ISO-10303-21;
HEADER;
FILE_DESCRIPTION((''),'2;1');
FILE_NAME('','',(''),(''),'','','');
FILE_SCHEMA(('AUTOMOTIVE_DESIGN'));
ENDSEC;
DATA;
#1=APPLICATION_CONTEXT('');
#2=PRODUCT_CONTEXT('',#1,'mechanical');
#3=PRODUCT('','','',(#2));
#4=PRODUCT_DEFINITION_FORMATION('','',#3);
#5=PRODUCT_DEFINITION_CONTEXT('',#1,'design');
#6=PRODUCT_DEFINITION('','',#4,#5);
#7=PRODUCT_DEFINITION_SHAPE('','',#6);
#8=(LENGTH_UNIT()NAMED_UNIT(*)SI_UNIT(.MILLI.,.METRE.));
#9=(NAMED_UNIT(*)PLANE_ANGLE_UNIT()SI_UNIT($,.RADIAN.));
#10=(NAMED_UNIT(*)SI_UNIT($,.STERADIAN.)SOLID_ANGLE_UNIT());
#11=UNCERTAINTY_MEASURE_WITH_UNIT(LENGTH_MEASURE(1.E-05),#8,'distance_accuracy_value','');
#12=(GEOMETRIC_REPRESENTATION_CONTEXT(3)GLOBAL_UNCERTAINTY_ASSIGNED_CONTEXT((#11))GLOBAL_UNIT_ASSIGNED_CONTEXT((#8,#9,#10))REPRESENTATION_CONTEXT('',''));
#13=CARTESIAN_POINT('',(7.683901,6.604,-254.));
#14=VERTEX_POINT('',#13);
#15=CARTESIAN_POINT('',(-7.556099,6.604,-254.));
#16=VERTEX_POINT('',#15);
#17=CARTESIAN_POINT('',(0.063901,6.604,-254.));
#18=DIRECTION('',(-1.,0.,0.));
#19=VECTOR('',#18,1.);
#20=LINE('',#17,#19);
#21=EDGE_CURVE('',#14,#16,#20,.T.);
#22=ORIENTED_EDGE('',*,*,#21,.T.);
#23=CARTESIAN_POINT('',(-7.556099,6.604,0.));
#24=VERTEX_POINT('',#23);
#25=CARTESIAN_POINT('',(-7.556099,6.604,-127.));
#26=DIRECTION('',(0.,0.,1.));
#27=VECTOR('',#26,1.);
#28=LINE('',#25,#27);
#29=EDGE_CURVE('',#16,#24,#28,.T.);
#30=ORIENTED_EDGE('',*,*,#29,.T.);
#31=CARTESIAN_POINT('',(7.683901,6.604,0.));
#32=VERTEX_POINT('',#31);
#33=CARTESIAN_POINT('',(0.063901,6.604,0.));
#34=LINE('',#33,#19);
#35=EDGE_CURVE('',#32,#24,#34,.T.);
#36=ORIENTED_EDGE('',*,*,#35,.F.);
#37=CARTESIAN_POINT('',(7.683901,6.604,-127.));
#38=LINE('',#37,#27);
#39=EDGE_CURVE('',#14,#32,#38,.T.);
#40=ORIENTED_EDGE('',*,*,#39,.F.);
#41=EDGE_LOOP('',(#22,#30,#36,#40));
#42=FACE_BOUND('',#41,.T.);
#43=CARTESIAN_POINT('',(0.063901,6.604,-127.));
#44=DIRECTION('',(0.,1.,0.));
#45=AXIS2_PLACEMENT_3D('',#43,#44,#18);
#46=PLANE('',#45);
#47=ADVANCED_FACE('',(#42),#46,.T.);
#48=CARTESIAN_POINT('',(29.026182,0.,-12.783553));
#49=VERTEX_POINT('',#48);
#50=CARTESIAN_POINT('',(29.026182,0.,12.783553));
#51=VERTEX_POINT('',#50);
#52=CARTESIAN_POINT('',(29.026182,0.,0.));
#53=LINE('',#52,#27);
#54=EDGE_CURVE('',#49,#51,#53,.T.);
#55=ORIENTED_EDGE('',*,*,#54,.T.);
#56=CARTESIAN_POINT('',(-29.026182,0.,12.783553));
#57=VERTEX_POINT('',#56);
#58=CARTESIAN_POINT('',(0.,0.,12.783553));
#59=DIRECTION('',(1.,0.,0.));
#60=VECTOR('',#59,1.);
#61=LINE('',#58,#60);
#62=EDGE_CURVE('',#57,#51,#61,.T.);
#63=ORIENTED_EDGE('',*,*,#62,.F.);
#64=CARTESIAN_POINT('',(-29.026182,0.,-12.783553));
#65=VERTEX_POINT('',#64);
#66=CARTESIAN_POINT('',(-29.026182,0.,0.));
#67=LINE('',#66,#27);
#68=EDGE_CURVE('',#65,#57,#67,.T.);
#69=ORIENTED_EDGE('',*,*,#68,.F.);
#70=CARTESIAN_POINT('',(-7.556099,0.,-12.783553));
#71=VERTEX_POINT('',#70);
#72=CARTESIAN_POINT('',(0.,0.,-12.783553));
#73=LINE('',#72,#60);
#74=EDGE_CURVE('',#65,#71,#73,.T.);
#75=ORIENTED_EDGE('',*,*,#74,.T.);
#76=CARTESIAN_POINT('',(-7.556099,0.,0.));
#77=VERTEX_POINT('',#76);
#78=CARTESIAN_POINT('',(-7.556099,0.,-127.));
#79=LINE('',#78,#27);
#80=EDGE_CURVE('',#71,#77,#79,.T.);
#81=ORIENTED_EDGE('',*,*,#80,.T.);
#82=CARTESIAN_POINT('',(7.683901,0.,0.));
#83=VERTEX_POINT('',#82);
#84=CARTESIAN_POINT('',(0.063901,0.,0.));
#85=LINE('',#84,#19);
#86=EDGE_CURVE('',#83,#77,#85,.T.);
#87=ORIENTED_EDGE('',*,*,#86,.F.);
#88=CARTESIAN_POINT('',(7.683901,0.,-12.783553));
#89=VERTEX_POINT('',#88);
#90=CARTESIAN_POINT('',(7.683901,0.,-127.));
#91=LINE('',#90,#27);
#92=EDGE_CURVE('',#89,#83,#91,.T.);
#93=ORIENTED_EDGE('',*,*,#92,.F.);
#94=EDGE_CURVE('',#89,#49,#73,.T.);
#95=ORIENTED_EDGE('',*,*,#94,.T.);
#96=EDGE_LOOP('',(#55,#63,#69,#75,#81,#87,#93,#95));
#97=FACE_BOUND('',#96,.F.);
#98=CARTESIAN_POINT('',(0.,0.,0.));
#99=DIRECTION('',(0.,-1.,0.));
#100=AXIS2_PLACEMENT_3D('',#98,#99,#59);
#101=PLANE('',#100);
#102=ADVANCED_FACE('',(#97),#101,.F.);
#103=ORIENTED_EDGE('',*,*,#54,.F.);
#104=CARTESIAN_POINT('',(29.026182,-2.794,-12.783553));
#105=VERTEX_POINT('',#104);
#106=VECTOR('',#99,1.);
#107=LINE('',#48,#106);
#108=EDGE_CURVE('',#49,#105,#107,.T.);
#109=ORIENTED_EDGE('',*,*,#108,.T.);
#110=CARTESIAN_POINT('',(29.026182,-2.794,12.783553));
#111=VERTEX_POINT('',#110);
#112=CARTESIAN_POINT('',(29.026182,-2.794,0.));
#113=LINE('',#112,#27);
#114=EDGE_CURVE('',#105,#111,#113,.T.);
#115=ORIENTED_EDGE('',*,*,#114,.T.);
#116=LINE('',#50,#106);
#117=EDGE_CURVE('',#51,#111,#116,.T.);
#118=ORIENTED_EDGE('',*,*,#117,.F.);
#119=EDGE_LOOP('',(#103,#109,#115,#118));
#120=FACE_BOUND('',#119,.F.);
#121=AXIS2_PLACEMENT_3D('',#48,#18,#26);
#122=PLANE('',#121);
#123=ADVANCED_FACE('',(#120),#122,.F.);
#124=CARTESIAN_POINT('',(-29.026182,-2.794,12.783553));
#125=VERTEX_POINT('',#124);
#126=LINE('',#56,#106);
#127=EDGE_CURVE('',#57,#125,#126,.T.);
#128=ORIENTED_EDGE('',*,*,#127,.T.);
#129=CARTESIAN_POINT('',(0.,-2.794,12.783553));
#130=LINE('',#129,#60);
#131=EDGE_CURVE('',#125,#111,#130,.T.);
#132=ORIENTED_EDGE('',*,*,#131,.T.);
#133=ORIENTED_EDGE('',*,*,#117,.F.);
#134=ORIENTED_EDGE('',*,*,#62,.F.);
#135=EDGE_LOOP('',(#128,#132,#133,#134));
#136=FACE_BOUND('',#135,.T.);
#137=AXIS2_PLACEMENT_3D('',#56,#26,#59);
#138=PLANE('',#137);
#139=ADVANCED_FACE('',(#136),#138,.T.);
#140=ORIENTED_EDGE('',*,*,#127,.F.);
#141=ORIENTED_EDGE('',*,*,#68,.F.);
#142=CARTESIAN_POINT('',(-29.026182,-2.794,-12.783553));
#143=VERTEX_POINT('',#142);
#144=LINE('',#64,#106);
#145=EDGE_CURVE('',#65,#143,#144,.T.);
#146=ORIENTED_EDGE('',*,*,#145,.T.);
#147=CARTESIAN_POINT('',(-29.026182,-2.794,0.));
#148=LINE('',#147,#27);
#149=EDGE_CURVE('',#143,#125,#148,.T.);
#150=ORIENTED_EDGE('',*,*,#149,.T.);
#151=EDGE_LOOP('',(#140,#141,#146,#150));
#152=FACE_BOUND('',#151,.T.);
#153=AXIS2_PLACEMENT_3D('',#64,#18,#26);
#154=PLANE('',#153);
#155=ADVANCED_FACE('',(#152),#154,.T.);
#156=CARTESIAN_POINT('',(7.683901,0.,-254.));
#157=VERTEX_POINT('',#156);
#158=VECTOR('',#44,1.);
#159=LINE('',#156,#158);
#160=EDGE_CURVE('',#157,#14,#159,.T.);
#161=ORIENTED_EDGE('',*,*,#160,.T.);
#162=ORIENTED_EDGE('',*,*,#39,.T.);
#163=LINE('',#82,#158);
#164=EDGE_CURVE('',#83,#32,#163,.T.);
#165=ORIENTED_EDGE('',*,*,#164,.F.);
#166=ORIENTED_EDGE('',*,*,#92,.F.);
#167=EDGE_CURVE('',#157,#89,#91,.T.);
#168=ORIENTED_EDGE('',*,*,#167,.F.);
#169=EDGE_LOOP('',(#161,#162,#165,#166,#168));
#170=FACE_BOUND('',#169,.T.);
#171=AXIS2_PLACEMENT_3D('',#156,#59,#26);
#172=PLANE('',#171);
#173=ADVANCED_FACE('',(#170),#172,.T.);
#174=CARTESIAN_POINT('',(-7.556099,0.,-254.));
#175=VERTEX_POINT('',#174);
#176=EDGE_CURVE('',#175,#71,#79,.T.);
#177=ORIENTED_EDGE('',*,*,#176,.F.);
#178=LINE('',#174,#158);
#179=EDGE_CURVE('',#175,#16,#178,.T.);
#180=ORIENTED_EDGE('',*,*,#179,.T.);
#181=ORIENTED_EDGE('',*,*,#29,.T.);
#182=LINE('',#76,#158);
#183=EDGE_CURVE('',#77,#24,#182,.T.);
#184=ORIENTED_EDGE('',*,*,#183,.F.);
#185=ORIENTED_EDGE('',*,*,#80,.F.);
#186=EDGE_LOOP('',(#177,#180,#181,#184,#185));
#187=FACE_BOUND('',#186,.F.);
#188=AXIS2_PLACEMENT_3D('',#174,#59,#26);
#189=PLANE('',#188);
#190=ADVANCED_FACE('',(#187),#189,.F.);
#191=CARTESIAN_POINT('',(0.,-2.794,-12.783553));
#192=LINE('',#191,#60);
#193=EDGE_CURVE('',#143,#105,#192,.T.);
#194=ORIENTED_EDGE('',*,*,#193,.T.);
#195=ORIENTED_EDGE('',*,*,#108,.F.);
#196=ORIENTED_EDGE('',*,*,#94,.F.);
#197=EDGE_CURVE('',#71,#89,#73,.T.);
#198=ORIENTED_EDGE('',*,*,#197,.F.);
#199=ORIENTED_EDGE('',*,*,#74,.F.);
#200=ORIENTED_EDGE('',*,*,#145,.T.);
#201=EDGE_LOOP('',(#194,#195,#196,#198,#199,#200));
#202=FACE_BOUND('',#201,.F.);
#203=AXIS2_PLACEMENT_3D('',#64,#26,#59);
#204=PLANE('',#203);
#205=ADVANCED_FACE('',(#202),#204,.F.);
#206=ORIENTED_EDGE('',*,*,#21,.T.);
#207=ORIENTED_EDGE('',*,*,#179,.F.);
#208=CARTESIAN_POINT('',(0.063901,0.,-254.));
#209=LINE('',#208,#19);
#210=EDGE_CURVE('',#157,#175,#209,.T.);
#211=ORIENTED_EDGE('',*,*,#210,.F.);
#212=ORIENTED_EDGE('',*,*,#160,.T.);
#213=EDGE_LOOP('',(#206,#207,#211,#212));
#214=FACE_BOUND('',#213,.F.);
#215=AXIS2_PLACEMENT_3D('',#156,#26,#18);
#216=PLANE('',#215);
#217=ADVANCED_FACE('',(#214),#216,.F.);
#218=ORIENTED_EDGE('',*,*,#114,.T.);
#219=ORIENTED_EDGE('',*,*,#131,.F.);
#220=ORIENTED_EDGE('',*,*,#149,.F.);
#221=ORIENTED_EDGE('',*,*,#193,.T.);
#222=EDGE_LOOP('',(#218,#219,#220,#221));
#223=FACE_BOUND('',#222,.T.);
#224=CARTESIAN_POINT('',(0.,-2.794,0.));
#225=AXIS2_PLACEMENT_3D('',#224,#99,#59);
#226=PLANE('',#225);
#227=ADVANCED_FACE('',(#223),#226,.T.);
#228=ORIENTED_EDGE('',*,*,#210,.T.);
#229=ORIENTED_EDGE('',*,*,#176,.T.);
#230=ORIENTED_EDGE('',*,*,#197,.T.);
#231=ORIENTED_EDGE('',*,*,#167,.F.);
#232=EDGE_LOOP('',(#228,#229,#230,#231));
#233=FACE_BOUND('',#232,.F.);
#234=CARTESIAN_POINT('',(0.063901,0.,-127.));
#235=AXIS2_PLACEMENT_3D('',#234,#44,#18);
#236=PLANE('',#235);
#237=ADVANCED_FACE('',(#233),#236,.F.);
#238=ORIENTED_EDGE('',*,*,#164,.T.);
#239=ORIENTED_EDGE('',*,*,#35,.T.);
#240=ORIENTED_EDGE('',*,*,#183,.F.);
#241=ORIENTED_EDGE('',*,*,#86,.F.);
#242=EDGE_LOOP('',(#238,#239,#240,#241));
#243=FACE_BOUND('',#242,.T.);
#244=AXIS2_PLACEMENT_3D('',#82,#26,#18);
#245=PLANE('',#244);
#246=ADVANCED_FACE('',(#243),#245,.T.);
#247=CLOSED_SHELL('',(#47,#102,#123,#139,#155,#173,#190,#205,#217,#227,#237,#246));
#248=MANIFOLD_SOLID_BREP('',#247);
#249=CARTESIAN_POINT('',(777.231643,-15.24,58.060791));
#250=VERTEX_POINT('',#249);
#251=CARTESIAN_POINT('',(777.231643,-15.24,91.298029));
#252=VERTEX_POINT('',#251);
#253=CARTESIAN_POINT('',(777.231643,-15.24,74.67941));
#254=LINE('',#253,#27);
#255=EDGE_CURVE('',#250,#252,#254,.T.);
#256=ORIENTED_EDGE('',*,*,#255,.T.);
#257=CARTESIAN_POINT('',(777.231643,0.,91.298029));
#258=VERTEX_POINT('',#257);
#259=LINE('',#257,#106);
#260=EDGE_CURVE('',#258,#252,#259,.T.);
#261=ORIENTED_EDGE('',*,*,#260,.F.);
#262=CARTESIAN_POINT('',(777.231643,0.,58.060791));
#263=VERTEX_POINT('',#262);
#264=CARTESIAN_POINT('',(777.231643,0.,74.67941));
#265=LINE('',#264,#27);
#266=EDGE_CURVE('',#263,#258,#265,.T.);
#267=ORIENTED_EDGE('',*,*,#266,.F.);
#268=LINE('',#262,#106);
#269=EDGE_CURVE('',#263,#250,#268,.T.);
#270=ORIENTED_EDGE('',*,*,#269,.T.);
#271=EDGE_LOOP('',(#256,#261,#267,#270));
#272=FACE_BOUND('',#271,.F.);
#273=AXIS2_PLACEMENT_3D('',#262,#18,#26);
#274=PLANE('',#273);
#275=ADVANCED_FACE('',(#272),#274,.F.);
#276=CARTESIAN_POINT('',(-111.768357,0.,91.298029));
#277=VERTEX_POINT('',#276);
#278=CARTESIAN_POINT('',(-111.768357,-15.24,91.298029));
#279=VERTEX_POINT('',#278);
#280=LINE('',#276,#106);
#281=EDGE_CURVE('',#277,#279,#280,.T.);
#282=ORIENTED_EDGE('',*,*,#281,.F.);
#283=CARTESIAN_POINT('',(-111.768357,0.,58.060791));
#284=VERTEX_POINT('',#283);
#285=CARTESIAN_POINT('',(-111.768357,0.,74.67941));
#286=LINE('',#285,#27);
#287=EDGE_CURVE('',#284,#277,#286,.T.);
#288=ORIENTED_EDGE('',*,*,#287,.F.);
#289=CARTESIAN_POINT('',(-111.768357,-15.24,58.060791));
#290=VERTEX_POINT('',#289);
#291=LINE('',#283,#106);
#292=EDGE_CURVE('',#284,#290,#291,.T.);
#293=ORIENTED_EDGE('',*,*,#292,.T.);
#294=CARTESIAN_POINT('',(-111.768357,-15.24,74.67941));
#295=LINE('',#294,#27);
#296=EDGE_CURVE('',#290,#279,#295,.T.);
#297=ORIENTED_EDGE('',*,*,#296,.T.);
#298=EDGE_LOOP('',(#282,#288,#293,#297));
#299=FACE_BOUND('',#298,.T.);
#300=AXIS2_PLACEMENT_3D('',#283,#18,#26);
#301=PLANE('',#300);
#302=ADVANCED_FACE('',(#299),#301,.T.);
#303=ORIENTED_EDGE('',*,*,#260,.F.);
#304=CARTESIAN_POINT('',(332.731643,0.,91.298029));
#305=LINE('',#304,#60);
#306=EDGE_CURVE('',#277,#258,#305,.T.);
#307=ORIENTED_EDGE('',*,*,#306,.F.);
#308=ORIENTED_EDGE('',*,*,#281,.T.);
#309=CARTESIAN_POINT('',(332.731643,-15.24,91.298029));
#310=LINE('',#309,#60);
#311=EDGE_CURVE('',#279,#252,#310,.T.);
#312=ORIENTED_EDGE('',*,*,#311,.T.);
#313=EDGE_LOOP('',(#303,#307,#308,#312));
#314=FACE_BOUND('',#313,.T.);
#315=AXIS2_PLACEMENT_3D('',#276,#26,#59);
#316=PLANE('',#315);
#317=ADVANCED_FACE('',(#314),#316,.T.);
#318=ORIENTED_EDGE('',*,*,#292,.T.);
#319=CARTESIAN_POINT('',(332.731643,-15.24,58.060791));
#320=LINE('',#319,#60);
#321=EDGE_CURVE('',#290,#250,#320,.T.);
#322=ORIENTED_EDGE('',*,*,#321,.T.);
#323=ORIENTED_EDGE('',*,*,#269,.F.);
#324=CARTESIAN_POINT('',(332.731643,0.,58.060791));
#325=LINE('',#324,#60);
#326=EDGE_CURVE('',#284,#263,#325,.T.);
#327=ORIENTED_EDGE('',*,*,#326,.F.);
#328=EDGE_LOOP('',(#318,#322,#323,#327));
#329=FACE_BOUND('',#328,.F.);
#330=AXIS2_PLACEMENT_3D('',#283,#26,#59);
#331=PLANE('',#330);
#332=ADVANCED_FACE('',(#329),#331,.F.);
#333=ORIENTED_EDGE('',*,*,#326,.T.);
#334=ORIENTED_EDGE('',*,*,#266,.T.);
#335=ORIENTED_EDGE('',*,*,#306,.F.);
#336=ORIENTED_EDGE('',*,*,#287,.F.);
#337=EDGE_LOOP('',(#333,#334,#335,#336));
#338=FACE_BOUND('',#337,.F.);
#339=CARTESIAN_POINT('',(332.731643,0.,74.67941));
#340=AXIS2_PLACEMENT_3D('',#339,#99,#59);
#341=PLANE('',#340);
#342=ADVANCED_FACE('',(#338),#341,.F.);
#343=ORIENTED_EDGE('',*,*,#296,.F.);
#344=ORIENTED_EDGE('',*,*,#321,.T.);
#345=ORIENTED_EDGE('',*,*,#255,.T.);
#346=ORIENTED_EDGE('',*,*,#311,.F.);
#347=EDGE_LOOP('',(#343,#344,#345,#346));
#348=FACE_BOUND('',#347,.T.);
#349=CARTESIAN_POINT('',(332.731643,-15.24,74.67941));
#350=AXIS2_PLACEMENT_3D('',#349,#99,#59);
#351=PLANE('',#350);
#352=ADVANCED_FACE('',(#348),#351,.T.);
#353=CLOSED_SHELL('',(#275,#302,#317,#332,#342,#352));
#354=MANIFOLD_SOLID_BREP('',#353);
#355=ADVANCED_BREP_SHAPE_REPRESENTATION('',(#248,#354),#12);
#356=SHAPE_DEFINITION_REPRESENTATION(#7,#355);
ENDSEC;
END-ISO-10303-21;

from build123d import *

# Parameters (mm, degrees)
F0_W     = 58.052364
F0_H     = 25.567106
F1_DEPTH = 2.794
F2_W     = 15.24
F2_H     = 254
F3_DEPTH = 6.604
F4_W     = 889
F4_H     = 33.237238
F5_DEPTH = 15.24


with BuildPart() as f1:
    # F0 (on Front) → F1 (new body)
    with BuildSketch(Plane.XZ):
        Rectangle(F0_W, F0_H)
    extrude(amount=F1_DEPTH)

    # F2 (on face) → F3 (join)
    with BuildSketch(Plane(origin=(0, 0, 0), x_dir=(-1, 0, 0), z_dir=(0, 1, 0))):
        with Locations((-0.063901, -127)):
            Rectangle(F2_W, F2_H)
    extrude(amount=F3_DEPTH)


with BuildPart() as f5:
    # F4 (on Front) → F5 (new body)
    with BuildSketch(Plane.XZ):
        with Locations((332.731643, 74.67941)):
            Rectangle(F4_W, F4_H)
    extrude(amount=F5_DEPTH)


solid = Compound([f1.part, f5.part])
